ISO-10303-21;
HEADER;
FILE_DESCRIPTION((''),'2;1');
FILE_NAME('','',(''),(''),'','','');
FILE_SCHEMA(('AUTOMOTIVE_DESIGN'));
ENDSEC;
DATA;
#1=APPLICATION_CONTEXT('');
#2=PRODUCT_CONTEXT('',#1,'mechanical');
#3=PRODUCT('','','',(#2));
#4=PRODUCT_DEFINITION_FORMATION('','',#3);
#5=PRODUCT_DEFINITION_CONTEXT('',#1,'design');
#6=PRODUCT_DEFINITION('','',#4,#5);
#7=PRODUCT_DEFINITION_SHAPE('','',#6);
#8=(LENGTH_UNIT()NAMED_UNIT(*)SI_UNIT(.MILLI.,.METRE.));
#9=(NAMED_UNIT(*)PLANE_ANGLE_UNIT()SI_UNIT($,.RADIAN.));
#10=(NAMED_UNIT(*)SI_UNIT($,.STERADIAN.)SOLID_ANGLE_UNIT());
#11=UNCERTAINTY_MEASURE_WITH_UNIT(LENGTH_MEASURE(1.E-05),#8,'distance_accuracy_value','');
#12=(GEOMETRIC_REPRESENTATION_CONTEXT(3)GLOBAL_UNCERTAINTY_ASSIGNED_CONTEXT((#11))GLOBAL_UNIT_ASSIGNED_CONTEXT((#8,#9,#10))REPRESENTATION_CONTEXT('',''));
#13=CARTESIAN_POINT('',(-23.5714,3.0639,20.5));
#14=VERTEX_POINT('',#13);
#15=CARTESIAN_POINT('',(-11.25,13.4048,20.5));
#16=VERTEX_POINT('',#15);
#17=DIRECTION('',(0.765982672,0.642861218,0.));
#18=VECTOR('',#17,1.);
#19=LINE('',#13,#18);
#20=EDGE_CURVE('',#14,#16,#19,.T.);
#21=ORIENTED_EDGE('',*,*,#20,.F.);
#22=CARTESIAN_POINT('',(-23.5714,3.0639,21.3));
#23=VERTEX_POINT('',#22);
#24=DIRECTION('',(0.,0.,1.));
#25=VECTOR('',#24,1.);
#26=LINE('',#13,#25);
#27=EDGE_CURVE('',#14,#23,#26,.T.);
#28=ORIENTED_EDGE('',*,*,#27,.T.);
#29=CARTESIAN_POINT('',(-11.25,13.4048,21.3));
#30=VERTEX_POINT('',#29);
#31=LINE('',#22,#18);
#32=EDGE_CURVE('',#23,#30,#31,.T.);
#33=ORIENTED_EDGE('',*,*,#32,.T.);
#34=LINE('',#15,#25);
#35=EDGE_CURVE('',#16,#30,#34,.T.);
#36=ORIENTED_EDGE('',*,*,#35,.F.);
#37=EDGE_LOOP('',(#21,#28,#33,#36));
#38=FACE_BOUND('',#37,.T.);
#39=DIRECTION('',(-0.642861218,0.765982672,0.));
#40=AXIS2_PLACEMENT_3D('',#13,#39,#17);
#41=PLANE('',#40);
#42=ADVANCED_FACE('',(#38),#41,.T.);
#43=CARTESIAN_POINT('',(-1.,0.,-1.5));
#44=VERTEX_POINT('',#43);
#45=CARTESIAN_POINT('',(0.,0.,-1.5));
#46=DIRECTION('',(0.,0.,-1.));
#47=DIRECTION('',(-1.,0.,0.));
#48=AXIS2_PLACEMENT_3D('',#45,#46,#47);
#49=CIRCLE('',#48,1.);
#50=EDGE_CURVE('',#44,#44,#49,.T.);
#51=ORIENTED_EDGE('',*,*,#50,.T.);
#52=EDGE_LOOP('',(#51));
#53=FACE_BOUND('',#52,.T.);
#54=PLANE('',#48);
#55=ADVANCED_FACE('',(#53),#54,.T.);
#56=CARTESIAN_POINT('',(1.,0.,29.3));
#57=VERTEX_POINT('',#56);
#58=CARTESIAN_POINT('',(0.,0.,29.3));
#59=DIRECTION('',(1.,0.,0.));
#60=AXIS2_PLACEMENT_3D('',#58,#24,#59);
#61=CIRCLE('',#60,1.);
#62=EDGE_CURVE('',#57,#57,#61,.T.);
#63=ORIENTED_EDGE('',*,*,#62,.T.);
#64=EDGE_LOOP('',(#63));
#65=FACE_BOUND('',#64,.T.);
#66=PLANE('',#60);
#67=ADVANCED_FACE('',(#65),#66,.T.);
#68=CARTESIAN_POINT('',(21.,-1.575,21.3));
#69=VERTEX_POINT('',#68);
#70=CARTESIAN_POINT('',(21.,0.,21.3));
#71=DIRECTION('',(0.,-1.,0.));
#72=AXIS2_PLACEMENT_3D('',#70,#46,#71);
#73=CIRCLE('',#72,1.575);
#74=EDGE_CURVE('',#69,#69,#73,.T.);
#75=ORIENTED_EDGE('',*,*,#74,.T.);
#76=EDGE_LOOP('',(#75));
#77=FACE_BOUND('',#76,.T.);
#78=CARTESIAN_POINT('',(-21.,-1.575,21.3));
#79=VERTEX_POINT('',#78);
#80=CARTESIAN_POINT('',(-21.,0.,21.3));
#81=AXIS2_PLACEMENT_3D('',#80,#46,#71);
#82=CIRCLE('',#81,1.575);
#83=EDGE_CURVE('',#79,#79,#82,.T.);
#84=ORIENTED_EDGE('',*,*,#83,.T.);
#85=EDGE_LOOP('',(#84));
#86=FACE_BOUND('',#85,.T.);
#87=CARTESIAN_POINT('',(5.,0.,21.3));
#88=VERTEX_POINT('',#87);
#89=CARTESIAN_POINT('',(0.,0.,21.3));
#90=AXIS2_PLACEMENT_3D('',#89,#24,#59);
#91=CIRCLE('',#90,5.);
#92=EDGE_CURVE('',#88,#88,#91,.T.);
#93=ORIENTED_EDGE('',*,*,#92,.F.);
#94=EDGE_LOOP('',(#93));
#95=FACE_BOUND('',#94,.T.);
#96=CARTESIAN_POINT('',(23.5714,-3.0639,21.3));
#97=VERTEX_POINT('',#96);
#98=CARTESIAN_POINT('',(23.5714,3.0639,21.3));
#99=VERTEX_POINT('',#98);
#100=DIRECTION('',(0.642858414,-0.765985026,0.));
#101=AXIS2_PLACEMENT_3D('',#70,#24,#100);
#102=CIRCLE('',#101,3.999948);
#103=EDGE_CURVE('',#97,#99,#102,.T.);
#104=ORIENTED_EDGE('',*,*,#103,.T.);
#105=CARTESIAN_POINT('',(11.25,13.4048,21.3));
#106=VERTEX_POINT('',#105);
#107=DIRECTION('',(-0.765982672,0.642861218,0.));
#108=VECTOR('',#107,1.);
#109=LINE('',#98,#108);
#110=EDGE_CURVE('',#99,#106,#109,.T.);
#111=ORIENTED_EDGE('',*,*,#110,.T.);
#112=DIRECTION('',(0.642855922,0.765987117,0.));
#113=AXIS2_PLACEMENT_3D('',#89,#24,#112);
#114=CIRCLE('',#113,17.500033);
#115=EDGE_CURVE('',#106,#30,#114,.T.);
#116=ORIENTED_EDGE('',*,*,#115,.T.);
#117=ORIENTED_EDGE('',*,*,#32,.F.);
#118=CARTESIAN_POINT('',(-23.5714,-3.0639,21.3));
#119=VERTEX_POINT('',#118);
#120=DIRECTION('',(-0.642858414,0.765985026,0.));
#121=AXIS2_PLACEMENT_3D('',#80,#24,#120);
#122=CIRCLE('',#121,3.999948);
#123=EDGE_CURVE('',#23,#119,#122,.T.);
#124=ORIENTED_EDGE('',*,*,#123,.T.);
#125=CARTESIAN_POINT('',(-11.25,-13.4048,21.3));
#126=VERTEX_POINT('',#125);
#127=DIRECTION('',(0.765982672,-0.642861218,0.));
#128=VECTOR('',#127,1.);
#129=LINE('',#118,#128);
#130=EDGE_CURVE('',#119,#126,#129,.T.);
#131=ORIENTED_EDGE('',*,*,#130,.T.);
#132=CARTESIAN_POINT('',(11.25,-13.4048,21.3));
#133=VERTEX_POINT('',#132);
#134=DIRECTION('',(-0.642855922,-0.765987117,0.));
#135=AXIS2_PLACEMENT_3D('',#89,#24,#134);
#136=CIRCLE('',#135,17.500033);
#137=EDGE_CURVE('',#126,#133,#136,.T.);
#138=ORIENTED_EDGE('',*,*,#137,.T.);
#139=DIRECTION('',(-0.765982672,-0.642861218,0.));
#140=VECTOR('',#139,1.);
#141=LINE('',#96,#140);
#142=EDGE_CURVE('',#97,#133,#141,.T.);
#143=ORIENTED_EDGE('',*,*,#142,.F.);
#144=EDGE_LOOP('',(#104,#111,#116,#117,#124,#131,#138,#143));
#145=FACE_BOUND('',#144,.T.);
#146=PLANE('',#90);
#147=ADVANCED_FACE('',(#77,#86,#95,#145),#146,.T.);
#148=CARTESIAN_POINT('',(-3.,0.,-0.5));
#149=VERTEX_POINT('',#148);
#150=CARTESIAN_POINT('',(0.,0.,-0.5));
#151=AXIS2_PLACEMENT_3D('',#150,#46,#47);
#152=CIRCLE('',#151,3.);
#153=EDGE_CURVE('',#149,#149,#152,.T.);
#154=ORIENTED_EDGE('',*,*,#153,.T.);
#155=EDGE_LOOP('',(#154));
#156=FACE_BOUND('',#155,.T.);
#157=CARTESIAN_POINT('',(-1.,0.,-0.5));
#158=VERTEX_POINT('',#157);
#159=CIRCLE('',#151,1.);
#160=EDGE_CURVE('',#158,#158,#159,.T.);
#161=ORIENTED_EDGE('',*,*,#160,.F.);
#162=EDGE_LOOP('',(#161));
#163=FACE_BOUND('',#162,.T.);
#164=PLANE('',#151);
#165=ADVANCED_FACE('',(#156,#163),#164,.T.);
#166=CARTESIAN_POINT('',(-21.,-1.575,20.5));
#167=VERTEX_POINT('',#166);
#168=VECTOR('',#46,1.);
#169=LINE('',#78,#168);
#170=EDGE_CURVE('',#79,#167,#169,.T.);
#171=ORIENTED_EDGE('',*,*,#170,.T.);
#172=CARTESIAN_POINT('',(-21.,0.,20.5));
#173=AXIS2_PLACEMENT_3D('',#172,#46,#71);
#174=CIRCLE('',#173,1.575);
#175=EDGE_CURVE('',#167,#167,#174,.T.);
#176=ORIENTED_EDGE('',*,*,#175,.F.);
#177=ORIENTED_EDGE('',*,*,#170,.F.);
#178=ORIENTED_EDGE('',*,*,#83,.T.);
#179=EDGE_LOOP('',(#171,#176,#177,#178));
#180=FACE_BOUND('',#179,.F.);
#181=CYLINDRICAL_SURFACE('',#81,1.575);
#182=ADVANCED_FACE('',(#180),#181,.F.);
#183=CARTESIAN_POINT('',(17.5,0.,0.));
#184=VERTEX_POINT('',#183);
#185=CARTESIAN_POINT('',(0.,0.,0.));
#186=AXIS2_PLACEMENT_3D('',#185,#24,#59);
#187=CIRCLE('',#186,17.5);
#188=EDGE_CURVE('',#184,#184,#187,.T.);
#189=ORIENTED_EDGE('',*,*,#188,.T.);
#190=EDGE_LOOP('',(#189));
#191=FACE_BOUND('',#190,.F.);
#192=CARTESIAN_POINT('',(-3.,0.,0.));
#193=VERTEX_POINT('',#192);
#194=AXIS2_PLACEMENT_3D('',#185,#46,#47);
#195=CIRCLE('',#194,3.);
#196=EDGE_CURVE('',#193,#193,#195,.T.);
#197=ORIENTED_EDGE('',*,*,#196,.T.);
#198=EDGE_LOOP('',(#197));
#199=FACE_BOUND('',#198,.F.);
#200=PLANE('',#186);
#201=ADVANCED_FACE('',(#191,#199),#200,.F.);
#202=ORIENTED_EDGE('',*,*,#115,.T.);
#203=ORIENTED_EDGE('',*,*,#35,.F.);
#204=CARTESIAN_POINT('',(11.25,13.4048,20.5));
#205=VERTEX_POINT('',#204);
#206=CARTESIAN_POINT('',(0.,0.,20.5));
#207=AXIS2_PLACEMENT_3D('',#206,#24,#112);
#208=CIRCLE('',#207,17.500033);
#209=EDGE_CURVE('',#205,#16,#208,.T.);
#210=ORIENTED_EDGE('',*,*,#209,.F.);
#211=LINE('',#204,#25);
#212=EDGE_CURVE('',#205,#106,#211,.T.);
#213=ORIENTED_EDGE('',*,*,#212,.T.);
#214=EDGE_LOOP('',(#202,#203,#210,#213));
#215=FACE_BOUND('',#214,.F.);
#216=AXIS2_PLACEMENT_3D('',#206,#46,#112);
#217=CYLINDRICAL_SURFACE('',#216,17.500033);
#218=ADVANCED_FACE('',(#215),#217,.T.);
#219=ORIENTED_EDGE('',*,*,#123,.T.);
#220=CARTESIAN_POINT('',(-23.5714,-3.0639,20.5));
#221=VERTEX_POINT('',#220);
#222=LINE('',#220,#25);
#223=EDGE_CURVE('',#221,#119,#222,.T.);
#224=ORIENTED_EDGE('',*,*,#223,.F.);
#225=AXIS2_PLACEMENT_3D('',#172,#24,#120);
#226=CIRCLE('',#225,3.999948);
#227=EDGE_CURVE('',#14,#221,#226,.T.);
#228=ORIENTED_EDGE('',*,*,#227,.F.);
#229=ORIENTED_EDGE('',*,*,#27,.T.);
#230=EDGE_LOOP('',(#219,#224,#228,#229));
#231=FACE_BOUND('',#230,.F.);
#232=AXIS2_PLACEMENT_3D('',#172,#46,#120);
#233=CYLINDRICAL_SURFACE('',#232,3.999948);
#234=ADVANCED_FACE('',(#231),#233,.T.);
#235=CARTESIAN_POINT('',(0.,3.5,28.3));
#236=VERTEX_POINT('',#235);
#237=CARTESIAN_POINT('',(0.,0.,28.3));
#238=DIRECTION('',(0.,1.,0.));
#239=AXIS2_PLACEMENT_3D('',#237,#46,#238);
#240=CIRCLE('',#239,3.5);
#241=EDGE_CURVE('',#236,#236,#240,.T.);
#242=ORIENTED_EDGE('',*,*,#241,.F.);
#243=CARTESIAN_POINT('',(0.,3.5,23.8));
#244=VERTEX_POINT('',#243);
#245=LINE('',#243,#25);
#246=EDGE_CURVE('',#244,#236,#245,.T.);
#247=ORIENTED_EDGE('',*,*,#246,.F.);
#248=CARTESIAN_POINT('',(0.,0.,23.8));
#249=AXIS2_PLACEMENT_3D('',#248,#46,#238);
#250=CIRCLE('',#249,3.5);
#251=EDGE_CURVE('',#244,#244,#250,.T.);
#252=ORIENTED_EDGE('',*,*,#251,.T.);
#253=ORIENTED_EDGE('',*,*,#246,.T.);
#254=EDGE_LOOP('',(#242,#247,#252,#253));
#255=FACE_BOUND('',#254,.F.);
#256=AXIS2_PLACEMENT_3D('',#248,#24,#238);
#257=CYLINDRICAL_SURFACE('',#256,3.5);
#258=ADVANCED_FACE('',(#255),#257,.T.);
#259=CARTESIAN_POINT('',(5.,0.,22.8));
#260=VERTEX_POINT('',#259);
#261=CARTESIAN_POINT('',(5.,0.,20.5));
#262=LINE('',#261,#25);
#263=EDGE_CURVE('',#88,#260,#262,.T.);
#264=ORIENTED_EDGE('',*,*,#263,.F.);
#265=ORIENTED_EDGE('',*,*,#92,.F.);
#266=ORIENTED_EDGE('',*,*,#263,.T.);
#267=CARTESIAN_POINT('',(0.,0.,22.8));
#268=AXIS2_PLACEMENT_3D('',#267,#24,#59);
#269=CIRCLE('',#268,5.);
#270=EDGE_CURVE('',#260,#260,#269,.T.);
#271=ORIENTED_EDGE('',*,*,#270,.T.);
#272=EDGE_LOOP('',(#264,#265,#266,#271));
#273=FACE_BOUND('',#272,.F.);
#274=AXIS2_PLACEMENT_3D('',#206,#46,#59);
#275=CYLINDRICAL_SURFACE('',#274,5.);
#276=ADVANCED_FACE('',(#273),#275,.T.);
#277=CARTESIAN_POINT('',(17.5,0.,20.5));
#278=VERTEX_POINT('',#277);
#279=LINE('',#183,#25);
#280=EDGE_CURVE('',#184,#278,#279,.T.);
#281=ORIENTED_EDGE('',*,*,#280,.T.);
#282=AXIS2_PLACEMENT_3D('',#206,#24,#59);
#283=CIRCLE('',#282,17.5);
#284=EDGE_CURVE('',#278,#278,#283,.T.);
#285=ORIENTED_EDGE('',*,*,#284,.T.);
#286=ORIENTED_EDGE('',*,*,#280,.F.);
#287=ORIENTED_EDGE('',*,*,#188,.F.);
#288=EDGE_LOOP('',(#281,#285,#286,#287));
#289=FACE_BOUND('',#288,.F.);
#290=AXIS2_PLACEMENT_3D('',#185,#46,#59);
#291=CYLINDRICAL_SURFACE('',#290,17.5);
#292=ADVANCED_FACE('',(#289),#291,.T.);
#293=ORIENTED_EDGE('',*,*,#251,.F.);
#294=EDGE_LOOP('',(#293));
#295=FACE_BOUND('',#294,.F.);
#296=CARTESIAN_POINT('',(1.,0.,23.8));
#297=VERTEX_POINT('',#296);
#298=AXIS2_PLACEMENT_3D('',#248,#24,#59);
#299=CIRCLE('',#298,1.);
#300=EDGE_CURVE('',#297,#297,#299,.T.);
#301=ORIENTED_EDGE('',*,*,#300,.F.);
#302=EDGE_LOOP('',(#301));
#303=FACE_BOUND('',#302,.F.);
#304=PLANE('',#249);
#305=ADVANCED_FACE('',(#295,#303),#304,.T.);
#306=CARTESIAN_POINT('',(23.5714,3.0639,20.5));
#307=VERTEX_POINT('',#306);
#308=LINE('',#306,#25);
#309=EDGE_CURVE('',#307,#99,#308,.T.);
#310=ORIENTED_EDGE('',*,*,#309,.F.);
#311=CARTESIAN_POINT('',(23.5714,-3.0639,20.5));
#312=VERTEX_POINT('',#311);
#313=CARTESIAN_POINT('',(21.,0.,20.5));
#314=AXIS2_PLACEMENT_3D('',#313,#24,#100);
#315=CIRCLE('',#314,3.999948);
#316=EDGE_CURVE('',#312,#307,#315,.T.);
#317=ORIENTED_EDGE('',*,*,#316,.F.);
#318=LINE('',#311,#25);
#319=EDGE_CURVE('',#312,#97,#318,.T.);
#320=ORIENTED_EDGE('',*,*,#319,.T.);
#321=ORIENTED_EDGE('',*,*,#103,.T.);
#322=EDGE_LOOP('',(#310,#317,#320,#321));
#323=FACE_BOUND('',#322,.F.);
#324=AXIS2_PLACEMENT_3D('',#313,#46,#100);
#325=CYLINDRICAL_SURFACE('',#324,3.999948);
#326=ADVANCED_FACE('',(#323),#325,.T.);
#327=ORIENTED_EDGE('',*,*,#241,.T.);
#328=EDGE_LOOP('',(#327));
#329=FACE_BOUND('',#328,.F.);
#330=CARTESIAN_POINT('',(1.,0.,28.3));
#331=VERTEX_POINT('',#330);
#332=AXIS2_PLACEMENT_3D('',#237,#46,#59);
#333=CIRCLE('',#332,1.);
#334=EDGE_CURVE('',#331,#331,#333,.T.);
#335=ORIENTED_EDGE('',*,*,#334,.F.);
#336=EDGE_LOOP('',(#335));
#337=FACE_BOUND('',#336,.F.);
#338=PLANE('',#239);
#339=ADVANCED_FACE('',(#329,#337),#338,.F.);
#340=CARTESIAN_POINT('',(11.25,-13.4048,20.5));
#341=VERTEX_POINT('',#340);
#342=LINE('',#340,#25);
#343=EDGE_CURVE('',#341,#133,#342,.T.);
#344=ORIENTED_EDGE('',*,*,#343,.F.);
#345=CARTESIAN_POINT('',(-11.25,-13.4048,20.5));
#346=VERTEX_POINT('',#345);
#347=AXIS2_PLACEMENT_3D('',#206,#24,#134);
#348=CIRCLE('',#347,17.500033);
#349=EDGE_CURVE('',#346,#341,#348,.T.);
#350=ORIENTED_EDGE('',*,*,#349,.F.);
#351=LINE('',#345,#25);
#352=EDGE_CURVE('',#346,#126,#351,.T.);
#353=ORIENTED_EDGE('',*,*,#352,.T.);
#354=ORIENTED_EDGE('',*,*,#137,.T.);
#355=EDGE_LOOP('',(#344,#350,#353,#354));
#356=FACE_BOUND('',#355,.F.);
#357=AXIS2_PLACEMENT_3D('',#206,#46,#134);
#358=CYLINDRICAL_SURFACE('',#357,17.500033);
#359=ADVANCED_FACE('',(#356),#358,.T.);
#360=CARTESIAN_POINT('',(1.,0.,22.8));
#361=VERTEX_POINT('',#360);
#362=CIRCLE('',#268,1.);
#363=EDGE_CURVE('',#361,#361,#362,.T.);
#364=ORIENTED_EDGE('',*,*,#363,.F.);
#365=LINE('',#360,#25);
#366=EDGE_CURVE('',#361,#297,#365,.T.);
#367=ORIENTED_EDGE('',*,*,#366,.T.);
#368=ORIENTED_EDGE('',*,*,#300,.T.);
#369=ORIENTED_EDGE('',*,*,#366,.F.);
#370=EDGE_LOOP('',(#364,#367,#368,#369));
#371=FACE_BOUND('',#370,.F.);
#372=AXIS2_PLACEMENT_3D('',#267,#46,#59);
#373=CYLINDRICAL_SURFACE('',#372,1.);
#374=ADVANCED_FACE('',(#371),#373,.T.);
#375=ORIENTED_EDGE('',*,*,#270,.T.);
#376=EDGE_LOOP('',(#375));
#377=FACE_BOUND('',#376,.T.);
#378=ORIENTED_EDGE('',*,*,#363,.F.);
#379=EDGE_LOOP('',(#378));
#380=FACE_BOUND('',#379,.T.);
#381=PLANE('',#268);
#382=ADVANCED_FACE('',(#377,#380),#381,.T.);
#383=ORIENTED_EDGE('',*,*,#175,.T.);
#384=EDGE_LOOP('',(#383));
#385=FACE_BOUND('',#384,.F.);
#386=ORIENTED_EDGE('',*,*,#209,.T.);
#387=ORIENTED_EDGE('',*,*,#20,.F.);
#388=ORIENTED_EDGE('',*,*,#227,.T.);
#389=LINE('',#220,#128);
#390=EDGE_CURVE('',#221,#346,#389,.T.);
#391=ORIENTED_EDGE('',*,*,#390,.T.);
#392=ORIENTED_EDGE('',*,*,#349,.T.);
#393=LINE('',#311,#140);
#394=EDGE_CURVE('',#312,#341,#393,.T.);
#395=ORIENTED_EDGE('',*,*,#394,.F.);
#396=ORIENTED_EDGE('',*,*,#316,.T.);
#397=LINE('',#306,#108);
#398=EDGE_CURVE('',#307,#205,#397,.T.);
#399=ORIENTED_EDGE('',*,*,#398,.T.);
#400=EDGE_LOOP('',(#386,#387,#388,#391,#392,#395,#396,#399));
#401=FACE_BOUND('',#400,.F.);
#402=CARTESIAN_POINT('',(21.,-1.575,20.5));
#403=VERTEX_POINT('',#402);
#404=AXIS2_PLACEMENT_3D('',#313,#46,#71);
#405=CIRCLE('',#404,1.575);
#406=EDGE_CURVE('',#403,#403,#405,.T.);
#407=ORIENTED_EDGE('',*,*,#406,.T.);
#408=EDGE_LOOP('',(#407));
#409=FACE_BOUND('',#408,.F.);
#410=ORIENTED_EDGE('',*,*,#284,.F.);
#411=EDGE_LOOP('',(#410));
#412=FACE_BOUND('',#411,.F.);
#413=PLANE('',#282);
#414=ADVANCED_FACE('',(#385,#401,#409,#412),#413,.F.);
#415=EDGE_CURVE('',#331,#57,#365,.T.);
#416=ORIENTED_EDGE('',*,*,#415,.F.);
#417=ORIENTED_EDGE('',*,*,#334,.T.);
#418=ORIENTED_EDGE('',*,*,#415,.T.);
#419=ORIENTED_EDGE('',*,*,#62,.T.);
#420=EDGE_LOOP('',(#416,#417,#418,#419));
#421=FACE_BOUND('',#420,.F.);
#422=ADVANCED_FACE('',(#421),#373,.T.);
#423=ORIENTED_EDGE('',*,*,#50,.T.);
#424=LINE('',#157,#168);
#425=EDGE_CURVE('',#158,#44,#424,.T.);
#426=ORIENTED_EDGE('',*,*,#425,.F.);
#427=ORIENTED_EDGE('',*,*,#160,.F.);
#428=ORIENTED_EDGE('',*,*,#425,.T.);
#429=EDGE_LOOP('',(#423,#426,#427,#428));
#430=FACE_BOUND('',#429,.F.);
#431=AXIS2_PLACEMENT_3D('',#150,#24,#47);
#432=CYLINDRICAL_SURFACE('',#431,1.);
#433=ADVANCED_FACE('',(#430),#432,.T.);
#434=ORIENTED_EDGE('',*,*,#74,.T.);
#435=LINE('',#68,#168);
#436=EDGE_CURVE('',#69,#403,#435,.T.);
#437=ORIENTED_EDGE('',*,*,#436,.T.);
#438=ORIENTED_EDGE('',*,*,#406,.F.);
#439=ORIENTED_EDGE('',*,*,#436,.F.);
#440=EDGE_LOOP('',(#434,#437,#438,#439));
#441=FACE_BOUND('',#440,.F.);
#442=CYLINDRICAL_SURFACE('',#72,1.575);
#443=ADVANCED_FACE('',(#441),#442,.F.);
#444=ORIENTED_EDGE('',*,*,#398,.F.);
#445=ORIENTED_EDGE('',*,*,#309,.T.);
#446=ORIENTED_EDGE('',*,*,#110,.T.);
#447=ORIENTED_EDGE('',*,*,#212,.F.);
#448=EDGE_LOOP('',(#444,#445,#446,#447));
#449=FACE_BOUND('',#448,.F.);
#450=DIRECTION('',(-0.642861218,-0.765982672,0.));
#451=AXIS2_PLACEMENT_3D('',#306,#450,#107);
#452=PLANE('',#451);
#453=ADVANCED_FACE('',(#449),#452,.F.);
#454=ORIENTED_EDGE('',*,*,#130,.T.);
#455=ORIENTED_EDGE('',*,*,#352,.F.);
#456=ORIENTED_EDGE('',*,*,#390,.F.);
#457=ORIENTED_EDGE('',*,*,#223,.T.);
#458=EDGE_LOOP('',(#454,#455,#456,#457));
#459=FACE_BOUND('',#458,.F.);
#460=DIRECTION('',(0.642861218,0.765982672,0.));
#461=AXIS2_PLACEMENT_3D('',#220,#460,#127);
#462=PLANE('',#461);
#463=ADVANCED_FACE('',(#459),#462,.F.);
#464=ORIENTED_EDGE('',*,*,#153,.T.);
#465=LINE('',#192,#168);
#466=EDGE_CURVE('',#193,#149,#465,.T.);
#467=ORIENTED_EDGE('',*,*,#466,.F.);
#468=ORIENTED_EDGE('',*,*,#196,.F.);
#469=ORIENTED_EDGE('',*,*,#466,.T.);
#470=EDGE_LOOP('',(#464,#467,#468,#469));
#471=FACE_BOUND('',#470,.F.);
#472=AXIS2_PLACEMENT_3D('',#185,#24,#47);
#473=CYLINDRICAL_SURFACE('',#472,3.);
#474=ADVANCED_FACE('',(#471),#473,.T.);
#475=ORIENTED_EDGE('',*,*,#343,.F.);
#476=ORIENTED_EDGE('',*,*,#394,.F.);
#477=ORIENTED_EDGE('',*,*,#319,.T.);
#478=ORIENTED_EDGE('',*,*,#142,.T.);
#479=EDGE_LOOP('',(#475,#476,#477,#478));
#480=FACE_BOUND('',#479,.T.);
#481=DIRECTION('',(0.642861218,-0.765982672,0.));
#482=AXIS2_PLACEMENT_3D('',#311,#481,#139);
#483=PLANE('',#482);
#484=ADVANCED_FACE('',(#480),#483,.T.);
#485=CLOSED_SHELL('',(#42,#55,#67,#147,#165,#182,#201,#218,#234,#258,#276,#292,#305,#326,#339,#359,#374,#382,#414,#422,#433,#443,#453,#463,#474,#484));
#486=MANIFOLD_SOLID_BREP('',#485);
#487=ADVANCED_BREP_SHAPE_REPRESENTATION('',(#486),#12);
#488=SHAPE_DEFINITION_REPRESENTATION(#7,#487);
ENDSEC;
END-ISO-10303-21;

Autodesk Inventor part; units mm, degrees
ref_plane "YZ Plane" through (0, 0, 0) normal (1, 0, 0) x (0, 1, 0)
ref_plane "XZ Plane" through (0, 0, 0) normal (0, 1, 0) x (-1, 0, 0)
ref_plane "XY Plane" through (0, 0, 0) normal (0, 0, 1) x (1, 0, 0)
sketch "Sketch1" plane through (0, 0, 0) normal (0, 0, 1) x (1, 0, 0)
  circle A0 centre (0, 0) radius 17.5
  dimension "d0" = 35
extrude "Extrusion1" add sketch "Sketch1" along normal blind 20.5
sketch "Sketch4" plane through (0, 0, 20.5) normal (0, 0, 1) x (1, 0, 0)
  arc A0 (17.5, 0) -> (17.5, 0) centre (0, 0) ccw projected
  circle A1 centre (0, 0) radius 5
  dimension "d15" = 10
extrude "Extrusion4" add sketch "Sketch4" along normal blind 2.3 contours A1
sketch "Sketch7" plane through (0, 0, 22.8) normal (0, 0, 1) x (1, 0, 0)
  circle A0 centre (0, 0) radius 5 projected
  circle A1 centre (0, 0) radius 1
  dimension "d24" = 2
extrude "Extrusion7" add sketch "Sketch7" along normal blind 6.5 contours A1
sketch "Sketch8" plane through (0, 0, 0) normal (0, 0, -1) x (-1, 0, 0)
  circle A0 centre (0, 0) radius 17.5 projected
  circle A1 centre (0, 0) radius 3
  dimension "d27" = 6
extrude "Extrusion8" add sketch "Sketch8" along normal blind 0.5 contours A1
sketch "Sketch9" plane through (0, 0, 20.5) normal (0, 0, 1) x (1, 0, 0)
  circle A0 centre (0, 0) radius 5 projected
  circle A1 centre (0, 0) radius 17.5 construction
  line L0 (-21, 0) -> (21, 0) construction
  line L1 (-25, 16.708) -> (-25, -1.9899) construction
  line L2 (-23.5714, -3.0639) -> (-11.25, -13.4048)
  line L3 (-23.5714, 3.0639) -> (-11.25, 13.4048)
  arc A2 (-23.5714, 3.0639) -> (-23.5714, -3.0639) centre (-21, 0) ccw
  arc A3 (23.5714, -3.0639) -> (23.5714, 3.0639) centre (21, 0) ccw
  line L4 (23.5714, 3.0639) -> (11.25, 13.4048)
  line L5 (23.5714, -3.0639) -> (11.25, -13.4048)
  arc A4 (-11.25, -13.4048) -> (11.25, -13.4048) centre (0, 0) ccw
  arc A5 (11.25, 13.4048) -> (-11.25, 13.4048) centre (0, 0) ccw
  dimension "d31" = 42
  dimension "d33" = 25
extrude "Extrusion9" add sketch "Sketch9" along normal blind 0.8
sketch "Sketch10" plane through (0, 0, 21.3) normal (0, 0, 1) x (1, 0, 0)
  circle A0 centre (0, 0) radius 5 construction
  arc A1 (-23.5714, 3.0639) -> (-23.5714, -3.0639) centre (-21, 0) ccw construction
  line L0 (-11.25, -13.4048) -> (-23.5714, -3.0639) construction
  arc A2 (-11.25, -13.4048) -> (11.25, -13.4048) centre (0, 0) ccw construction
  line L1 (23.5714, -3.0639) -> (11.25, -13.4048) construction
  arc A3 (23.5714, -3.0639) -> (23.5714, 3.0639) centre (21, 0) ccw construction
  line L2 (11.25, 13.4048) -> (23.5714, 3.0639) construction
  arc A4 (11.25, 13.4048) -> (-11.25, 13.4048) centre (0, 0) ccw construction
  line L3 (-23.5714, 3.0639) -> (-11.25, 13.4048) construction
  point P0 (0, 0)
hole "Hole1" at (-21, 0, 21.3) at (21, 0, 21.3) direction (0, 0, -1) diameter 3.15 end through all
sketch "Sketch11" plane through (0, 0, -0.5) normal (0, 0, -1) x (-1, 0, 0)
  circle A0 centre (0, 0) radius 1
  dimension "d43" = 2
extrude "Extrusion10" add sketch "Sketch11" along normal blind 1
sketch "Sketch12" plane through (0, 0, 0) normal (1, 0, 0) x (0, 1, 0)
  line L0 (-1, 29.3) -> (1, 29.3) construction
  line L1 (-1, 22.8) -> (1, 22.8) construction
  line L2 (1, 28.3) -> (1, 23.8)
  line L3 (1, 23.8) -> (3.5, 23.8)
  line L4 (3.5, 23.8) -> (3.5, 28.3)
  line L5 (3.5, 28.3) -> (1, 28.3)
  line L6 (0, 29.3) -> (0, -6.1896) construction
  point P0 (0, 0)
  dimension "d47" = 1
  dimension "d48" = 4.5
  dimension "d49" = 7
  dimension "d50" = 2
revolve "Revolution1" add sketch "Sketch12" angle 360 about axis through (0, 0, 29.3) along (0, 0, -1)
properties part number "Stepper Motor SAIA 2012"
